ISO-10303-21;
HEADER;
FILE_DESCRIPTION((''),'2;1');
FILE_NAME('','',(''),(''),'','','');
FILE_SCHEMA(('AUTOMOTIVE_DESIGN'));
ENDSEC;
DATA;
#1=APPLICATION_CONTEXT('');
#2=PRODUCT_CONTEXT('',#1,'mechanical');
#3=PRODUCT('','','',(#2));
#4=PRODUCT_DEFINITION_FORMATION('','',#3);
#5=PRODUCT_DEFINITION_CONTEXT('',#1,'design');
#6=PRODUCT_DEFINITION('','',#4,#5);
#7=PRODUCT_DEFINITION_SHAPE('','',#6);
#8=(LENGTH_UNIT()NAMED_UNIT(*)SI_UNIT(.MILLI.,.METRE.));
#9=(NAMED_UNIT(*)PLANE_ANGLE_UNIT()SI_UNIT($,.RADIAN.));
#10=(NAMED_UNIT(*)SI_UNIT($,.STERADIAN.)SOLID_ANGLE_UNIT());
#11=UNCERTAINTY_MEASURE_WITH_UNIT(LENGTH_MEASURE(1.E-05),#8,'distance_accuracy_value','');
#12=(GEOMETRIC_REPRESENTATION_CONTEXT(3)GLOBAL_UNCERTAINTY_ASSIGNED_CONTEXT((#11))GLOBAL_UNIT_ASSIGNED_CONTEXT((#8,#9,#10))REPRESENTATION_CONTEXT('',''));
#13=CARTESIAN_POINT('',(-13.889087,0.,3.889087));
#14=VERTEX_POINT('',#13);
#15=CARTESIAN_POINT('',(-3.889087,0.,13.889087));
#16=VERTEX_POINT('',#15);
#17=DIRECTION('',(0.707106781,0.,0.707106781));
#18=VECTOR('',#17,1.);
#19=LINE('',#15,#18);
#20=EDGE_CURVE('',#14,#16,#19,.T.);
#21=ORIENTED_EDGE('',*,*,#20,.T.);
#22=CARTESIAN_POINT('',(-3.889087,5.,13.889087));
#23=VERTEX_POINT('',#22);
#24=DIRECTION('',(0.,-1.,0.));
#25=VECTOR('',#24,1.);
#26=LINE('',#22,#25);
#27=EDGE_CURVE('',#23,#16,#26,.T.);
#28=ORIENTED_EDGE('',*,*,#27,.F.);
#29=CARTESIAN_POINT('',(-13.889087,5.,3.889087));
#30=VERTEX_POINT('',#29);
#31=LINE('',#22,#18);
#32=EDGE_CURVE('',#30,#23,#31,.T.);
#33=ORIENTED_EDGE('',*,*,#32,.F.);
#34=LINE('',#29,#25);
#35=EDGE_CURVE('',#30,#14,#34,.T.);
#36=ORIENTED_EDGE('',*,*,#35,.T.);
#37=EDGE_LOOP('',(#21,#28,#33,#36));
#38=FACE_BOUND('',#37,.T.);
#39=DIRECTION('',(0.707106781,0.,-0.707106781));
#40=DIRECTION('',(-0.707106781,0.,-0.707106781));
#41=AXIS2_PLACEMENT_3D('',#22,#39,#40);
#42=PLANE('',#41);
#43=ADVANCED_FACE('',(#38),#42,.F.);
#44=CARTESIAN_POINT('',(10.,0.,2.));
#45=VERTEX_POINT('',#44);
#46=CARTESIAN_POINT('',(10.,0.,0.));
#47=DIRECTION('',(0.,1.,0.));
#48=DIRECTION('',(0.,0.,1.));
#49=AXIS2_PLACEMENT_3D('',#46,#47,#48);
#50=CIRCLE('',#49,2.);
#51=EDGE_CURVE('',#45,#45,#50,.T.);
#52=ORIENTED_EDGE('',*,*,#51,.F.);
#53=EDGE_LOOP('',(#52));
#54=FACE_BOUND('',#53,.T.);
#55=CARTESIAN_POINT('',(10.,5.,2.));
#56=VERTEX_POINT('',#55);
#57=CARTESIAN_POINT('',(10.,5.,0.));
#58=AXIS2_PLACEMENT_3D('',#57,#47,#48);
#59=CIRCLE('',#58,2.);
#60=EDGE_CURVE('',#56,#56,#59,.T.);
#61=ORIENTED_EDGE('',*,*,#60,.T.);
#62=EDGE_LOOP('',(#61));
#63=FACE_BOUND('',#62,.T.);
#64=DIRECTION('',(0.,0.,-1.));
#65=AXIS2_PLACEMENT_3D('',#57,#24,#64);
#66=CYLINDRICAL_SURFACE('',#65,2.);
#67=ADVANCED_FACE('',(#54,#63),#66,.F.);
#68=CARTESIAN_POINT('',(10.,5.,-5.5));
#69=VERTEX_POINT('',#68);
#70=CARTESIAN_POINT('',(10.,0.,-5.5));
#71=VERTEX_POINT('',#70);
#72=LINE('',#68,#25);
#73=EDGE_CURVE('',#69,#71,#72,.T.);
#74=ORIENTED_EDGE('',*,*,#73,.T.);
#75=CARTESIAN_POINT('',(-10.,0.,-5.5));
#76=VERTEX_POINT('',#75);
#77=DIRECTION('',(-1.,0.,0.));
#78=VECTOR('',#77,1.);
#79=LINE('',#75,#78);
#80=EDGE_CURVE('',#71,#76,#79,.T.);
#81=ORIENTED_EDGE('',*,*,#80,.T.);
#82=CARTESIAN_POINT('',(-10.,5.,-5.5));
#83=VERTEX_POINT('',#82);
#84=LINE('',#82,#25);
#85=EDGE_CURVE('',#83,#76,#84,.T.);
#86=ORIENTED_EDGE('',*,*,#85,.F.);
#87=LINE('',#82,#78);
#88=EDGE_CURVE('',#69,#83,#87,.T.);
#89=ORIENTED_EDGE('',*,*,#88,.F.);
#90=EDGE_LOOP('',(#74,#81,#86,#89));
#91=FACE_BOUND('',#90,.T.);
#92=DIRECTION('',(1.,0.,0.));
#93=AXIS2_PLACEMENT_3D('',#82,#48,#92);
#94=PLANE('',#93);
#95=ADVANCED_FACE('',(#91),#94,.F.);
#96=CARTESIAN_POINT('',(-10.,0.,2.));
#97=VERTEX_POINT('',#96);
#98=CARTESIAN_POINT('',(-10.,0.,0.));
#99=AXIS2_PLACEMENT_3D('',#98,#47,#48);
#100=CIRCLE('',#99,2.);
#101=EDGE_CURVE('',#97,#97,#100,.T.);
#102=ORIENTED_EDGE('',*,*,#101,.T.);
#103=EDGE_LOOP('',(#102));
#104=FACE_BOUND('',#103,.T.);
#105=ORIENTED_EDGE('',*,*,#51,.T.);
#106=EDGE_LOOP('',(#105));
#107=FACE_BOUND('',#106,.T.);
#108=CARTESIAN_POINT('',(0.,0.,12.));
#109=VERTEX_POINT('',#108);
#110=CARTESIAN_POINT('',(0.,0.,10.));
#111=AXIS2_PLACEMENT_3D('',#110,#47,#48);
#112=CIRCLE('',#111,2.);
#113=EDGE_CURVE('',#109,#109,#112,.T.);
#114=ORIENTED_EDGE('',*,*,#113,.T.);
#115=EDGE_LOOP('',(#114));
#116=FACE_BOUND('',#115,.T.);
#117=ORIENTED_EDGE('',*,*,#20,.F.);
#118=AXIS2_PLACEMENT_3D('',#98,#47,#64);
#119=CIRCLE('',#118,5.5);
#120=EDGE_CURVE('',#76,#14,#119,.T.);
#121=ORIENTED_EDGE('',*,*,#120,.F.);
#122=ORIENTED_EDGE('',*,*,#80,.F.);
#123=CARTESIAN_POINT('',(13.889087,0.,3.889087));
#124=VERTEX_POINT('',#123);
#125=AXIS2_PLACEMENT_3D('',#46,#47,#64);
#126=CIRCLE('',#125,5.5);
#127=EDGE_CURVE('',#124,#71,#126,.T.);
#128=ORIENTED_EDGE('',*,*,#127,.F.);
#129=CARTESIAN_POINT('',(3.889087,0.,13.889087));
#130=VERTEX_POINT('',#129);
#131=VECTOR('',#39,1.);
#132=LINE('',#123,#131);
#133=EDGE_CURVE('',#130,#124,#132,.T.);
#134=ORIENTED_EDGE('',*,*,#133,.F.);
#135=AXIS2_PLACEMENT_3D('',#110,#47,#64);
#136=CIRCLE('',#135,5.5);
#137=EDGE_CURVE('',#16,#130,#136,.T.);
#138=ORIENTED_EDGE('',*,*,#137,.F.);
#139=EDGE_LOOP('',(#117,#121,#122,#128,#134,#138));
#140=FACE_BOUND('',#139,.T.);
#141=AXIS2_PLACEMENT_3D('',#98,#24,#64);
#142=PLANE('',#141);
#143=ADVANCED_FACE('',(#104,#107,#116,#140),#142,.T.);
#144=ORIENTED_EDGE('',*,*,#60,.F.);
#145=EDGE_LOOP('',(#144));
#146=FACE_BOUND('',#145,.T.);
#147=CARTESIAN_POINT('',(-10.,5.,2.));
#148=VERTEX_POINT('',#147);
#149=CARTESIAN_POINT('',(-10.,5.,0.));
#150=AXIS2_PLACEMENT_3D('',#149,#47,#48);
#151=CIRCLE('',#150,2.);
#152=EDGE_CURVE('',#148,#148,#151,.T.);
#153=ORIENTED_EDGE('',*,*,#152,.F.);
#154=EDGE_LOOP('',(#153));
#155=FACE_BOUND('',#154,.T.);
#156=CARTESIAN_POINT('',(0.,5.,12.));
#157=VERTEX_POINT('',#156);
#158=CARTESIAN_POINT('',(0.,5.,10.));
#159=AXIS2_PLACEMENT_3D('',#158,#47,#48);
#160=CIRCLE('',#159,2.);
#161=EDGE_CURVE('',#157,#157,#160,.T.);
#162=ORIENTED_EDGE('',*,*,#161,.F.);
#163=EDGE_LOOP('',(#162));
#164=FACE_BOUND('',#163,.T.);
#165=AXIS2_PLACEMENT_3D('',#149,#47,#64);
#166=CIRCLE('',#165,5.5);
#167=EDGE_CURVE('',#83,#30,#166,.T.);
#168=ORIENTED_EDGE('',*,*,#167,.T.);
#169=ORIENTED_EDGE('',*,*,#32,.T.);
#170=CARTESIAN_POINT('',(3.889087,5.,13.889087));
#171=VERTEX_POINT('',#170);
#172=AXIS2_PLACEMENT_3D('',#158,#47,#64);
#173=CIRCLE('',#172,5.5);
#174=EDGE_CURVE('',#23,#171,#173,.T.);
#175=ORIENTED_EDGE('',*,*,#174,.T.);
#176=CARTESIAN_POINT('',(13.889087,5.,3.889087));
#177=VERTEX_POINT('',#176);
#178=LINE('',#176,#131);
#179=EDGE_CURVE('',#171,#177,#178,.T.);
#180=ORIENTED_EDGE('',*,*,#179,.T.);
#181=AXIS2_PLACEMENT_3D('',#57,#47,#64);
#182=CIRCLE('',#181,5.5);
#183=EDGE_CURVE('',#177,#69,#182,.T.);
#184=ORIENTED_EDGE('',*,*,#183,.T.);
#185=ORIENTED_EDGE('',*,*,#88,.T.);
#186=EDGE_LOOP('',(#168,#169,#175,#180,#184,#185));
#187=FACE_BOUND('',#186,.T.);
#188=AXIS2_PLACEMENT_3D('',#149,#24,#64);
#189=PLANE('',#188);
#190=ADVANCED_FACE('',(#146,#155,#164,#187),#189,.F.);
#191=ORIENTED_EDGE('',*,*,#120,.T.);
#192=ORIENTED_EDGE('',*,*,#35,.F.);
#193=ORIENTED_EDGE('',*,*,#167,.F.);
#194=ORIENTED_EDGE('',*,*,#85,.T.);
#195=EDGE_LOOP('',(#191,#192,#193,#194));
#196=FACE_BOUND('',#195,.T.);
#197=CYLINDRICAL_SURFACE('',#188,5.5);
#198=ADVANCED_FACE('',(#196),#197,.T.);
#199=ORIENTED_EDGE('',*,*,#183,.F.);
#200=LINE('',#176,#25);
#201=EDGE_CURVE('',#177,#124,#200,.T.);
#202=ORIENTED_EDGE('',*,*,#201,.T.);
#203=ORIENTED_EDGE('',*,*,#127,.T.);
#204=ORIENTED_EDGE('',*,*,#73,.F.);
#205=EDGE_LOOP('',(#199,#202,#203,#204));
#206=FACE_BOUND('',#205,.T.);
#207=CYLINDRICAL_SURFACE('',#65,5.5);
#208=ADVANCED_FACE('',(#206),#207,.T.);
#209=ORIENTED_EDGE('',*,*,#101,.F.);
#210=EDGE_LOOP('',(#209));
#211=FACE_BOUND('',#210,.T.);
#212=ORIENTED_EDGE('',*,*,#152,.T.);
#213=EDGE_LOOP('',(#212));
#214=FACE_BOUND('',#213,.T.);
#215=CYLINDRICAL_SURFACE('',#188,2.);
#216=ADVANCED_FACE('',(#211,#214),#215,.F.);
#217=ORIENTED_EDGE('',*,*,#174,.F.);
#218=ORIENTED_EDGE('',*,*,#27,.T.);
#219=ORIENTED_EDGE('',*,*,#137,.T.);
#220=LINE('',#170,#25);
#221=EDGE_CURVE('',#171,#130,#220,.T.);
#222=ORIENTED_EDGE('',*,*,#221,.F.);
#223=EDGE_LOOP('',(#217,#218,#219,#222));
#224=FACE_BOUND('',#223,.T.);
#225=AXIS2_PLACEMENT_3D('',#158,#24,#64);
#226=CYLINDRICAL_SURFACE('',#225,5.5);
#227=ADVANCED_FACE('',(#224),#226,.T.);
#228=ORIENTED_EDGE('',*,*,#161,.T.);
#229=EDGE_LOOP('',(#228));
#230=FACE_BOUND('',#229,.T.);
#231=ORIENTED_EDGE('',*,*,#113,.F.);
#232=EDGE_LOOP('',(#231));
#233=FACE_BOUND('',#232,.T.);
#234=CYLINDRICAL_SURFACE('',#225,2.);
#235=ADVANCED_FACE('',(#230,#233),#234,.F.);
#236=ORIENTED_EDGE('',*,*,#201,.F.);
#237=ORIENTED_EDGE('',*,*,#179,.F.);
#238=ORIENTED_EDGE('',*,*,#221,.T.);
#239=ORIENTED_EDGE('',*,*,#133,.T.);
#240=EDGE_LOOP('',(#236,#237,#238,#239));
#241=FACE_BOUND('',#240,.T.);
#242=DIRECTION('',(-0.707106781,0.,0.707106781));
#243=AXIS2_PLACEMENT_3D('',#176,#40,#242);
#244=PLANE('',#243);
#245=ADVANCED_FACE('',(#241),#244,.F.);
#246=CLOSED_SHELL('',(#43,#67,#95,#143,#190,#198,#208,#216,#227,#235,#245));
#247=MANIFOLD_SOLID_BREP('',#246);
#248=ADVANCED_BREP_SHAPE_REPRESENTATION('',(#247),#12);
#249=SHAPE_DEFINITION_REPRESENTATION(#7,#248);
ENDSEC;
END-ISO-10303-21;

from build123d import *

# Parameters (mm, degrees)
SKETCH1_R           = 2
BOSS_EXTRUDE1_DEPTH = 5


with BuildPart() as part:
    # Sketch1 → Boss-Extrude1 (new body)
    with BuildSketch(Plane(origin=(0, 0, 0), x_dir=(1, 0, 0), z_dir=(0, 1, 0))):
        with BuildLine():
            Line((-10, 5.5), (10, 5.5))
            ThreePointArc((10, 5.5), (15.081337429, 2.104758878), (13.889087297, -3.889087297))
            Line((13.889087297, -3.889087297), (3.889087297, -13.889087297))
            ThreePointArc((3.889087297, -13.889087297), (0, -15.5), (-3.889087297, -13.889087297))
            Line((-3.889087297, -13.889087297), (-13.889087297, -3.889087297))
            ThreePointArc((-13.889087297, -3.889087297), (-15.081337429, 2.104758878), (-10, 5.5))
        make_face()
        with Locations(Location((-10, 0, 0), (0, 0, 270))):
            Circle(SKETCH1_R, mode=Mode.SUBTRACT)
        with Locations(Location((10, 0, 0), (0, 0, 270))):
            Circle(SKETCH1_R, mode=Mode.SUBTRACT)
        with Locations(Location((0, -10, 0), (0, 0, 270))):
            Circle(SKETCH1_R, mode=Mode.SUBTRACT)
    extrude(amount=BOSS_EXTRUDE1_DEPTH)


solid = part.part
